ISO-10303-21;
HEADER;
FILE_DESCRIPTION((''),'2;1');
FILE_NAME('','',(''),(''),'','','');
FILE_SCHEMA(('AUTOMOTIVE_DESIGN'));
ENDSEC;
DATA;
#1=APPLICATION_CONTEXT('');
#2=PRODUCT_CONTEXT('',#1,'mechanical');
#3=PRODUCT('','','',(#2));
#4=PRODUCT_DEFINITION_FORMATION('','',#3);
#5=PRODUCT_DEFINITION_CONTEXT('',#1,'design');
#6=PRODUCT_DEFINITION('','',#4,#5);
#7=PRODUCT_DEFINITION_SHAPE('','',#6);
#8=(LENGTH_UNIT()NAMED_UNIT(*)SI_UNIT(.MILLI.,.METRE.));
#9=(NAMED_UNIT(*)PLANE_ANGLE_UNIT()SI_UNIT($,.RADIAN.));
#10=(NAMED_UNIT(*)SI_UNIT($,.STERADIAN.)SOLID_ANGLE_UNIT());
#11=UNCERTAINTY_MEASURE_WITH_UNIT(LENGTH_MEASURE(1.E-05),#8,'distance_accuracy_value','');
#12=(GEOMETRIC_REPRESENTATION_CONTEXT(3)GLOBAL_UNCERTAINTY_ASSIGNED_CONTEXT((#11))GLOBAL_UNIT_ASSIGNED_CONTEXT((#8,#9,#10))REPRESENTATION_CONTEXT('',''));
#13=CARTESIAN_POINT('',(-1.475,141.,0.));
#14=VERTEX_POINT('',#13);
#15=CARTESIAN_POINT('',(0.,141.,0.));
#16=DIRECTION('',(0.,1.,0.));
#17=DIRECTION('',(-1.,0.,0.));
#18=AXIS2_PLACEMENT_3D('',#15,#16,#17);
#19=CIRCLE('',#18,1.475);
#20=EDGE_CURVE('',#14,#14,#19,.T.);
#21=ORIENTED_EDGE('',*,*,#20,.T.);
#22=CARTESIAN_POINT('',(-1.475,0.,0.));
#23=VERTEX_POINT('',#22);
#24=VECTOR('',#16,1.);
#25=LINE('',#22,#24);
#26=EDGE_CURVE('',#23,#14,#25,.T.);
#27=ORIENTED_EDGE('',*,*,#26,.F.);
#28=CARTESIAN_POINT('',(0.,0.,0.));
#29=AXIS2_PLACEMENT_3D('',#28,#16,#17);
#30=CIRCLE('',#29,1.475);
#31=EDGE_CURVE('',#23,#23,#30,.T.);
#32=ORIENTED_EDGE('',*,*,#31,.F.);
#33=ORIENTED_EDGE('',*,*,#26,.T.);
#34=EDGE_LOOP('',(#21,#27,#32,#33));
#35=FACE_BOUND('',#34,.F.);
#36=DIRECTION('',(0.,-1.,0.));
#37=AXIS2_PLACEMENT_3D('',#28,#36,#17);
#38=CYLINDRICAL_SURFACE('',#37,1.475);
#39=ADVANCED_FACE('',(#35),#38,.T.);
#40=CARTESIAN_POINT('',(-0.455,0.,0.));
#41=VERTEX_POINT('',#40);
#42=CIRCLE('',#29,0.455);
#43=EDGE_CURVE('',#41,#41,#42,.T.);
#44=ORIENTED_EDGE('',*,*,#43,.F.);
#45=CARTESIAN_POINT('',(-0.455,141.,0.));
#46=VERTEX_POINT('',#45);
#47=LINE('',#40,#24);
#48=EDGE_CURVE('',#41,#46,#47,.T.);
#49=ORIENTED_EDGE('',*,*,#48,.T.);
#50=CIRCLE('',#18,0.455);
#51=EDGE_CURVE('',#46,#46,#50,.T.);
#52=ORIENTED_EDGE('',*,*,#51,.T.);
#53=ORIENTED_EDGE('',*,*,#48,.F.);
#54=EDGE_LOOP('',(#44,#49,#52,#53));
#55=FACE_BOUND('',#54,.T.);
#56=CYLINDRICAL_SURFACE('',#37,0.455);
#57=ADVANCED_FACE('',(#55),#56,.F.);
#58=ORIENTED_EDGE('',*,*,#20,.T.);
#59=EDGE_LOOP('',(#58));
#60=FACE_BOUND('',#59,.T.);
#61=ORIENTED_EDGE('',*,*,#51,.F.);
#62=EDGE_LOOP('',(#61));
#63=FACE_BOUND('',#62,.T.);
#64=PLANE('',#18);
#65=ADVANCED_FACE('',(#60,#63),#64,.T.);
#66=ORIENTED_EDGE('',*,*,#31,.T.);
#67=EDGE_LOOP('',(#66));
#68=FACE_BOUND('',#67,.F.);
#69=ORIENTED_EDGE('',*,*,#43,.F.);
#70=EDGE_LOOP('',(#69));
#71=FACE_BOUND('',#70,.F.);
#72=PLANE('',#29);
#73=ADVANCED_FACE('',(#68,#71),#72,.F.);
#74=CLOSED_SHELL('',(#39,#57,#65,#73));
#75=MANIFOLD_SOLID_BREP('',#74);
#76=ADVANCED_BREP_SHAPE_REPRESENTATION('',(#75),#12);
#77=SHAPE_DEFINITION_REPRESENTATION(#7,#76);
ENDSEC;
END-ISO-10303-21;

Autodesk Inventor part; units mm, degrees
ref_plane "YZ Plane" through (0, 0, 0) normal (1, 0, 0) x (0, 1, 0)
ref_plane "XZ Plane" through (0, 0, 0) normal (0, 1, 0) x (-1, 0, 0)
ref_plane "XY Plane" through (0, 0, 0) normal (0, 0, 1) x (1, 0, 0)
sketch "Sketch1" plane through (0, 0, 0) normal (0, 1, 0) x (-1, 0, 0)
  circle A0 centre (0, 0) radius 1.475
  circle A1 centre (0, 0) radius 0.455
  dimension "d0" = 2.95
  dimension "d1" = 0.91
extrude "Extrusion1" add sketch "Sketch1" along normal blind 141
properties part number "Dielectric"
